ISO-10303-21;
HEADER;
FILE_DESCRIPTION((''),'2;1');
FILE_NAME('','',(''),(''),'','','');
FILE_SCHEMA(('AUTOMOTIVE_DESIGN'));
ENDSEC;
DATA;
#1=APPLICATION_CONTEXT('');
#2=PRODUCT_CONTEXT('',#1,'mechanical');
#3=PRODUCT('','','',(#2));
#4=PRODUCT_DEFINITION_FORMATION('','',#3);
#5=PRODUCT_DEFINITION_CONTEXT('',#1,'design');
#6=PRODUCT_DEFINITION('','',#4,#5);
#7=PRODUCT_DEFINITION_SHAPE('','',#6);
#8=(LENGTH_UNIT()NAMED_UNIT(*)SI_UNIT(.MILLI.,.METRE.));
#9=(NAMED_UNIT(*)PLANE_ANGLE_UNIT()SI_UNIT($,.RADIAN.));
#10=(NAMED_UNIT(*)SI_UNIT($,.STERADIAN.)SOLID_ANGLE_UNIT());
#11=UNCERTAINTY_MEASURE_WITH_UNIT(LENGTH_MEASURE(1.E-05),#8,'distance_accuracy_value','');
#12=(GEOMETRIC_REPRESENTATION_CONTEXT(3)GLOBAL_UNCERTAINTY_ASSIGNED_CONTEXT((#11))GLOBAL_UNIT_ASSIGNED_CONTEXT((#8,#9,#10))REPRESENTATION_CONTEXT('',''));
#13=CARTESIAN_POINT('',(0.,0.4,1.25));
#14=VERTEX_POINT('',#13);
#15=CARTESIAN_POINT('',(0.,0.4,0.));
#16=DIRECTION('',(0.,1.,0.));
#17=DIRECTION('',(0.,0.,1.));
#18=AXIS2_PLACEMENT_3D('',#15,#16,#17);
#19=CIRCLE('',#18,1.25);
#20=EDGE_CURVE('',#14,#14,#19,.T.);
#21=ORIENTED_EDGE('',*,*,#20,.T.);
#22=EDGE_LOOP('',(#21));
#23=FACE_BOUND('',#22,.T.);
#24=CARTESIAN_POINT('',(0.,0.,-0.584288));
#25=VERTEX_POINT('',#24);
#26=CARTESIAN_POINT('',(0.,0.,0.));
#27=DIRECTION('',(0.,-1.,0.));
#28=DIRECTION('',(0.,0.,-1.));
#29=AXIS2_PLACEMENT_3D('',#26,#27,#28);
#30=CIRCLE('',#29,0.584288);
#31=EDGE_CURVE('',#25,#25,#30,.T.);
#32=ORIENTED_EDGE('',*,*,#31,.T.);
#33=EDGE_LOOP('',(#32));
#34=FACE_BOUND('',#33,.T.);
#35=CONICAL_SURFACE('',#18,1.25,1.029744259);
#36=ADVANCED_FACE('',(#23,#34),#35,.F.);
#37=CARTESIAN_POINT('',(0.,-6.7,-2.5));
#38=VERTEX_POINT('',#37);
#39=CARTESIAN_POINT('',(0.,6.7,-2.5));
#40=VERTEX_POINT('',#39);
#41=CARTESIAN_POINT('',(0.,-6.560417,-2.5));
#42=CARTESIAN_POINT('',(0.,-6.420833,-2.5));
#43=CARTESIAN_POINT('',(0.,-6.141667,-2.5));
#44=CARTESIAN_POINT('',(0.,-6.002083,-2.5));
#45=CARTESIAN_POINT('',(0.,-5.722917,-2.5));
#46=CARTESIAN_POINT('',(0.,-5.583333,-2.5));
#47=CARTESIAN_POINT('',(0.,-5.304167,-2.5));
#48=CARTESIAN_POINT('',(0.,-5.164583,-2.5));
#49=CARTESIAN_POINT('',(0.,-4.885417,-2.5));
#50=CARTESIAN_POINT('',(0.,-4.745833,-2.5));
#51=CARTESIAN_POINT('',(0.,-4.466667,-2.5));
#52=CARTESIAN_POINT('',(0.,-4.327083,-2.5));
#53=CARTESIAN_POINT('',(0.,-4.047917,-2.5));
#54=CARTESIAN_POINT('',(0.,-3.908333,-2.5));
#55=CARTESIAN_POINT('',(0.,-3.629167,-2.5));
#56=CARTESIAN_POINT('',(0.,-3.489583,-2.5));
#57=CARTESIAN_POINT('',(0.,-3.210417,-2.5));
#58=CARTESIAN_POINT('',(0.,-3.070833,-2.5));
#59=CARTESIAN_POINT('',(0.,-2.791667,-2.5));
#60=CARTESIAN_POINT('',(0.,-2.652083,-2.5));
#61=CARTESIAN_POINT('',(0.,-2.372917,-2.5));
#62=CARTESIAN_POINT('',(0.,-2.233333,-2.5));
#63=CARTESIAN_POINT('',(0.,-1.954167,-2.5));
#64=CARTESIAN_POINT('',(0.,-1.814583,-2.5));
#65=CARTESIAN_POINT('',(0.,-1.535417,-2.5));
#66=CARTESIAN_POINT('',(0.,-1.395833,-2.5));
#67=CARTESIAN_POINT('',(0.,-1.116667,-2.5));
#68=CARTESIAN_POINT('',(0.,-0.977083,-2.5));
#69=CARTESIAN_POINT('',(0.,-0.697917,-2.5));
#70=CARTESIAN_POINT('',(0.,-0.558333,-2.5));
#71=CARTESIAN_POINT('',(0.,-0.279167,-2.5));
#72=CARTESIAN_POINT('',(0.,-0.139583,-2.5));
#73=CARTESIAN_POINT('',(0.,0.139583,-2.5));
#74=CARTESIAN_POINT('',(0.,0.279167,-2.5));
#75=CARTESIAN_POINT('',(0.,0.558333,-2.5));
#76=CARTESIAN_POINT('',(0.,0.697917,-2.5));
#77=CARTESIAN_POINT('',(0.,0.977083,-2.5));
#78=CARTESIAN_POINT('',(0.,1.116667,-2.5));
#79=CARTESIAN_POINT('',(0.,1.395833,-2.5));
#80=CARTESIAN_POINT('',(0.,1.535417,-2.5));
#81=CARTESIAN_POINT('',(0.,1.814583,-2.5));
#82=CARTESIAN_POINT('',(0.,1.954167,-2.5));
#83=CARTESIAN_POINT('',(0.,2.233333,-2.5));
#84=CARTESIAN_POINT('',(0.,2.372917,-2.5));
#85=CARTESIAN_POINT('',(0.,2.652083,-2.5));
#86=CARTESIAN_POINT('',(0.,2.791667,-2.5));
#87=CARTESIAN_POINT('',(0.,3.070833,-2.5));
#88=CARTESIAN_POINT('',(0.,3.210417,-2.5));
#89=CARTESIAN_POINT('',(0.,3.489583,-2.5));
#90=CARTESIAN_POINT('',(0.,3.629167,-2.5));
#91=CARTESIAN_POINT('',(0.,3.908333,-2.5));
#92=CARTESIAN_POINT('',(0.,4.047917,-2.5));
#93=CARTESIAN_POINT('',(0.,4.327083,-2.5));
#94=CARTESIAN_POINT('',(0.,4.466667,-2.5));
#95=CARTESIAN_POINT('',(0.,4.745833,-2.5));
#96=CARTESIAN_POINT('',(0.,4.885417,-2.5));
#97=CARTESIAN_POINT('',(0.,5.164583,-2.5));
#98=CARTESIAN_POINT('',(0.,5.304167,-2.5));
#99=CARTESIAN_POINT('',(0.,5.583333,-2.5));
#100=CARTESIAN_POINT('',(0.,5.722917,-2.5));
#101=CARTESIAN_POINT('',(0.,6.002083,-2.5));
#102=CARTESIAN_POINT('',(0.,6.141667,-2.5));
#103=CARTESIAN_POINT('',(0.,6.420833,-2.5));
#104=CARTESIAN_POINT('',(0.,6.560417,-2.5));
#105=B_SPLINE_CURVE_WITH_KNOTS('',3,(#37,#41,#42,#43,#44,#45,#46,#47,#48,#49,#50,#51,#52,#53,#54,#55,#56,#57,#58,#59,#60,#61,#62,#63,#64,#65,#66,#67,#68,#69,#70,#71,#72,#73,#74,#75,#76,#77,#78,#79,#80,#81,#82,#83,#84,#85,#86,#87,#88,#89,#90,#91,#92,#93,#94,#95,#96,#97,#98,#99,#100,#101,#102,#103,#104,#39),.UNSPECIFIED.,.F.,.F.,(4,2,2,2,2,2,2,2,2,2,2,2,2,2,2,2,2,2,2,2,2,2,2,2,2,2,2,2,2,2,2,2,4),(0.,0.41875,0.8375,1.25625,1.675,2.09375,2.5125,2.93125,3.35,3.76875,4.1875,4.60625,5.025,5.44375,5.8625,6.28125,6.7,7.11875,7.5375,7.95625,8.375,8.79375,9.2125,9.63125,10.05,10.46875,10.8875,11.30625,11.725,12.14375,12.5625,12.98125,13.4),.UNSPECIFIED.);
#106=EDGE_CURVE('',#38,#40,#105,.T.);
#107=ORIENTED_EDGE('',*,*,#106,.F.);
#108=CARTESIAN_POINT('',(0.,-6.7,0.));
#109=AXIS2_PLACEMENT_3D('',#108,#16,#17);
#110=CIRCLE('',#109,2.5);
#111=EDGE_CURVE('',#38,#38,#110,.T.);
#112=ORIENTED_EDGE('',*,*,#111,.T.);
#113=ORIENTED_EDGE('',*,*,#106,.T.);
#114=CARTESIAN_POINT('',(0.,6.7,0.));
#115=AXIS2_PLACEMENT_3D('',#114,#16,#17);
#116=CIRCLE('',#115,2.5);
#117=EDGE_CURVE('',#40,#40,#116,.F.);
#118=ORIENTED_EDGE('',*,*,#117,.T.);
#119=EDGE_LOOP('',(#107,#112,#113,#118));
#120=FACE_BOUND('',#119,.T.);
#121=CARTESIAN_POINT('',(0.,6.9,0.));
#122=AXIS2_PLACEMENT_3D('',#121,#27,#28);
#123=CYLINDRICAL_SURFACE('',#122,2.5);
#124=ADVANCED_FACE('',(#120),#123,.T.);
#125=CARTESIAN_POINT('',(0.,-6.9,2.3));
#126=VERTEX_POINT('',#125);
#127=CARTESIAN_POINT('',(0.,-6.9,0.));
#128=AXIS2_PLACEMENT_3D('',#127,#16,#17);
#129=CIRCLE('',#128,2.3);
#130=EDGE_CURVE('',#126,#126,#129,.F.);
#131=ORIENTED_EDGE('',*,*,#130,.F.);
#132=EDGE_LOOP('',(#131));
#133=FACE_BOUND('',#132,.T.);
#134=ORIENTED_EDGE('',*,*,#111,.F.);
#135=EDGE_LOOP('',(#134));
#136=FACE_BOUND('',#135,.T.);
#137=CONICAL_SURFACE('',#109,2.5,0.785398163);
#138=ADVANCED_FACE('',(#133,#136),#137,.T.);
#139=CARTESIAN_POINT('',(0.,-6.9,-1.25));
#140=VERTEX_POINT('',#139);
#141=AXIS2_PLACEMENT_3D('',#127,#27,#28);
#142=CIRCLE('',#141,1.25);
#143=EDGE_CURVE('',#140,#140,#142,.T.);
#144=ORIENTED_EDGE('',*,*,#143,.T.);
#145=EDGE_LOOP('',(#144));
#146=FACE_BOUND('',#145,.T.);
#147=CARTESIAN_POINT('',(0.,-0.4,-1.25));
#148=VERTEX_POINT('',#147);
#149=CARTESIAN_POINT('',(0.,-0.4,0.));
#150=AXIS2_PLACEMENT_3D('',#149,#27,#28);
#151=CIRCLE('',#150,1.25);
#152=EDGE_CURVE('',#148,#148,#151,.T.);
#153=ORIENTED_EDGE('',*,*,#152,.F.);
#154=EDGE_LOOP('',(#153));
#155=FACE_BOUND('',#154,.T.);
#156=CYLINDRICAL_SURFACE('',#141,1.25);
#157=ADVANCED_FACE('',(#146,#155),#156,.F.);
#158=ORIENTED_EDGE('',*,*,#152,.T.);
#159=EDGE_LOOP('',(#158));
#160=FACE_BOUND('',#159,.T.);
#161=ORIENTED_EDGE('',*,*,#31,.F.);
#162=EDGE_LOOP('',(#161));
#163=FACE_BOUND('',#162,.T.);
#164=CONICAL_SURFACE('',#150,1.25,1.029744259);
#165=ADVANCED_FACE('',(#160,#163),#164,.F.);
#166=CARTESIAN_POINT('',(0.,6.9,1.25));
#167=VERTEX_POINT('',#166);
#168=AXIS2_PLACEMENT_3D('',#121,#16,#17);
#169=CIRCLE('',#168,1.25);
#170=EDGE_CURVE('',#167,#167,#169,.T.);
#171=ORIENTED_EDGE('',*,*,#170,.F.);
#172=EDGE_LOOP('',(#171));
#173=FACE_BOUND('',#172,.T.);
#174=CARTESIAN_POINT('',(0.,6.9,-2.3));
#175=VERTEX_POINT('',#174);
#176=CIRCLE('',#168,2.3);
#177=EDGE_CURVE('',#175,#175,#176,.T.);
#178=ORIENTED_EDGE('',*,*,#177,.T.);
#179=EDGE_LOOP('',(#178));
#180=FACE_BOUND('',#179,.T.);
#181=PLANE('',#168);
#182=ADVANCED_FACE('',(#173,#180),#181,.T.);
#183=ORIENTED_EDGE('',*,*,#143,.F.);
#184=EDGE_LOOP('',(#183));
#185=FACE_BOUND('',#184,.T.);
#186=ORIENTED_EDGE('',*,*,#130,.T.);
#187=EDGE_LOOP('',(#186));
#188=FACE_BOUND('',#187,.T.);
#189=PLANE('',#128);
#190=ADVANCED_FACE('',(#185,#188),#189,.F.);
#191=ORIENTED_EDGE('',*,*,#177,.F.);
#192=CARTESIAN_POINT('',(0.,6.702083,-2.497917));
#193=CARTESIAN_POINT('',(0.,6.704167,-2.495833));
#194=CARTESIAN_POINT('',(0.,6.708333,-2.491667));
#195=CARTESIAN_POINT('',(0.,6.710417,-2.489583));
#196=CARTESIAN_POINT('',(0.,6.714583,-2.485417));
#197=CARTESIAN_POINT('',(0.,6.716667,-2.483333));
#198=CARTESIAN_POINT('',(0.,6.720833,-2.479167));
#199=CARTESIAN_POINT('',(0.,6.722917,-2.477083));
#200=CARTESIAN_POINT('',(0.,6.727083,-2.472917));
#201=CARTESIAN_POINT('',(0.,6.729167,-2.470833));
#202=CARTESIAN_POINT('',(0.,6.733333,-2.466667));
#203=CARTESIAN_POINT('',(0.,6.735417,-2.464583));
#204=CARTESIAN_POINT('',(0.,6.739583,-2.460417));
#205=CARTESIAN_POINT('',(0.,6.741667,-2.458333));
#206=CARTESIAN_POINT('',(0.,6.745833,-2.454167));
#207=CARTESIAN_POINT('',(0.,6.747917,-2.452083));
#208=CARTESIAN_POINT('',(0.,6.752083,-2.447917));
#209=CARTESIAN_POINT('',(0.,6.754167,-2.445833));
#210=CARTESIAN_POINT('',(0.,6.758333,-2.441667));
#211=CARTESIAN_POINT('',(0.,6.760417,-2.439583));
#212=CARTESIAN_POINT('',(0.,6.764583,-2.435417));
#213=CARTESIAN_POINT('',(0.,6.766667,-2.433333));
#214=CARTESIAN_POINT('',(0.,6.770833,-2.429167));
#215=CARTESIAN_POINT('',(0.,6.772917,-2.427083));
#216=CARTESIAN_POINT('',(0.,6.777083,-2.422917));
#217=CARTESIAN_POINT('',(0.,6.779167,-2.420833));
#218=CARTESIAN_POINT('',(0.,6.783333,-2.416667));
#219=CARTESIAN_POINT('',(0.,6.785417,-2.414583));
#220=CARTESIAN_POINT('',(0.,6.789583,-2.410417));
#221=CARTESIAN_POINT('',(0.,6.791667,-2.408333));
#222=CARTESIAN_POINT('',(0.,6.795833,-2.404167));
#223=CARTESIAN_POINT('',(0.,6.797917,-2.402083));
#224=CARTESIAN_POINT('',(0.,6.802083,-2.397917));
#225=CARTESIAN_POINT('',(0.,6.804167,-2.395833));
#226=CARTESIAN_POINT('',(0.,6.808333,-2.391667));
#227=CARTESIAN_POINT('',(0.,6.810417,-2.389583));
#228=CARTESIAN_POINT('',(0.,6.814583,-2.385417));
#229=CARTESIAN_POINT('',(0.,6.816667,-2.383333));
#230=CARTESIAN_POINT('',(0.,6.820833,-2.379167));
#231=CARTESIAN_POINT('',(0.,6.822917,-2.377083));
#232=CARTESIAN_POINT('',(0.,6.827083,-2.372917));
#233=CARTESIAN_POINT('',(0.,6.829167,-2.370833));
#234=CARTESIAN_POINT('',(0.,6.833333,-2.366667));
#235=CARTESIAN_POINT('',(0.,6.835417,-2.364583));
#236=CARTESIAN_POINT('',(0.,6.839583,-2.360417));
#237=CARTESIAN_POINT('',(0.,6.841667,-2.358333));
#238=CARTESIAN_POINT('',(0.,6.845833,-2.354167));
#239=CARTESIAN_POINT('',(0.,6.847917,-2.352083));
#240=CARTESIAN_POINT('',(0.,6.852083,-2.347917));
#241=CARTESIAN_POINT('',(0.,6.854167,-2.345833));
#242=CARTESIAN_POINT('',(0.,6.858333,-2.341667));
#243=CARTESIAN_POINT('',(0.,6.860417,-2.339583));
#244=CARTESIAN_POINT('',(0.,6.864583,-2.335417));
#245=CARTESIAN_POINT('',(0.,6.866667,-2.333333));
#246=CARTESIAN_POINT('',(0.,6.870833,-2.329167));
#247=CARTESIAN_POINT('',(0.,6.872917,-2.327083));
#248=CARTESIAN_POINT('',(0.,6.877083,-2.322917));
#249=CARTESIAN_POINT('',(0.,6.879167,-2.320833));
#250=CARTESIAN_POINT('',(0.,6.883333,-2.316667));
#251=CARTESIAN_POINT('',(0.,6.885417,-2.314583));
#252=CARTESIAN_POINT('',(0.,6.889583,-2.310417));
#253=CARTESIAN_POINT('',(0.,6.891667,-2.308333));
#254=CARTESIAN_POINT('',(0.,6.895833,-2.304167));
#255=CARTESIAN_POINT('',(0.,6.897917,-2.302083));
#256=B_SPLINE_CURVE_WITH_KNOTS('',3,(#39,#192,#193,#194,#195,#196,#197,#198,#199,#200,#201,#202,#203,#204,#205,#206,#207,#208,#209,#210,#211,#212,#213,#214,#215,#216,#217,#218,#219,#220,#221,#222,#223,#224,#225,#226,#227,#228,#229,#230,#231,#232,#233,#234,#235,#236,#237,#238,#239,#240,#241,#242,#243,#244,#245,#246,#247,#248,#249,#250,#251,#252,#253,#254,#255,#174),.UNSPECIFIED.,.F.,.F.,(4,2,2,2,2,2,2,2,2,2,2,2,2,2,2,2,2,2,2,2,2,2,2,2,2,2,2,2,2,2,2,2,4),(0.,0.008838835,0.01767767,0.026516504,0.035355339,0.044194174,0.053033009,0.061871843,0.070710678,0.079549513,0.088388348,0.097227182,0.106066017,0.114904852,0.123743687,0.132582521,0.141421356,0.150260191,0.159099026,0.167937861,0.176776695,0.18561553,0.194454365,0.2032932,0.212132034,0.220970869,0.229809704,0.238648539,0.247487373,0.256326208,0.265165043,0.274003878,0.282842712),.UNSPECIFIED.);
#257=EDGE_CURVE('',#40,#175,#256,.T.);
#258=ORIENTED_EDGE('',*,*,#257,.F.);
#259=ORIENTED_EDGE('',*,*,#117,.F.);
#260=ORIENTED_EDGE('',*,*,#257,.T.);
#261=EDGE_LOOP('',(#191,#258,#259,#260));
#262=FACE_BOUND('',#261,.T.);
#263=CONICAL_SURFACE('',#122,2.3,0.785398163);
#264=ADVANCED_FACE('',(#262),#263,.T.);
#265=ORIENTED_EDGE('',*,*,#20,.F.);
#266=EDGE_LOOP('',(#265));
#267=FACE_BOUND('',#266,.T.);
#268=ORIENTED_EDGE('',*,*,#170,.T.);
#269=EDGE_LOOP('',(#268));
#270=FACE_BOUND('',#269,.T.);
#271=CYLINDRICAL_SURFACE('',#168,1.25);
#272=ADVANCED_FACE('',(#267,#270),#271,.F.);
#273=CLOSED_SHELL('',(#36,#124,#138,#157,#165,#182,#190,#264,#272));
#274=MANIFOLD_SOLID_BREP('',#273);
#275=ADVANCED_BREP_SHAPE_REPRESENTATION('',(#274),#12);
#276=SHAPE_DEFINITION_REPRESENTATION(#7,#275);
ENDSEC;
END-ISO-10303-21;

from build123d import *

# Parameters (mm, degrees)
SKETCH_1_R             = 2.5
EXTRUDE_1_DEPTH        = 6.9
HOLE_WIZARD_M3_1_D     = 2.5
HOLE_WIZARD_M3_1_DEPTH = 6.5
HOLE_WIZARD_M3_1_TIP   = 0.751075774
HOLE_WIZARD_M3_2_D     = 2.5
HOLE_WIZARD_M3_2_DEPTH = 6.5
HOLE_WIZARD_M3_2_TIP   = 0.751075774
CHAMFER_1_SIZE         = 0.2


with BuildPart() as part:
    # 草图1 → 凸台-拉伸1 (new, symmetric)
    with BuildSketch(Plane(origin=(0, 0, 0), x_dir=(1, 0, 0), z_dir=(0, 1, 0))):
        with Locations(Location((0, 0, 0), (0, 0, 90))):
            Circle(SKETCH_1_R)
    extrude(amount=EXTRUDE_1_DEPTH, both=True)

    # M3 螺纹孔1
    with Locations(Plane(origin=(0, 6.9, 0), x_dir=(1, 0, 0), z_dir=(0, 1, 0))):
        with Locations((0, 0)):
            Hole(HOLE_WIZARD_M3_1_D / 2, depth=HOLE_WIZARD_M3_1_DEPTH)
            with Locations((0, 0, -(HOLE_WIZARD_M3_1_DEPTH + HOLE_WIZARD_M3_1_TIP / 2))):  # 118° drill point
                Cone(0, HOLE_WIZARD_M3_1_D / 2, HOLE_WIZARD_M3_1_TIP, mode=Mode.SUBTRACT)

    # M3 螺纹孔2
    with Locations(Plane(origin=(0, -6.9, 0), x_dir=(-1, 0, 0), z_dir=(0, -1, 0))):
        with Locations((0, 0)):
            Hole(HOLE_WIZARD_M3_2_D / 2, depth=HOLE_WIZARD_M3_2_DEPTH)
            with Locations((0, 0, -(HOLE_WIZARD_M3_2_DEPTH + HOLE_WIZARD_M3_2_TIP / 2))):  # 118° drill point
                Cone(0, HOLE_WIZARD_M3_2_D / 2, HOLE_WIZARD_M3_2_TIP, mode=Mode.SUBTRACT)

    # 倒角1
    chamfer_1_edges = [part.edges().sort_by_distance(p)[0] for p in [
        (0, -6.9, 2.5),
        (0, 6.9, 2.5),
    ]]
    chamfer(chamfer_1_edges, length=CHAMFER_1_SIZE)


solid = part.part
